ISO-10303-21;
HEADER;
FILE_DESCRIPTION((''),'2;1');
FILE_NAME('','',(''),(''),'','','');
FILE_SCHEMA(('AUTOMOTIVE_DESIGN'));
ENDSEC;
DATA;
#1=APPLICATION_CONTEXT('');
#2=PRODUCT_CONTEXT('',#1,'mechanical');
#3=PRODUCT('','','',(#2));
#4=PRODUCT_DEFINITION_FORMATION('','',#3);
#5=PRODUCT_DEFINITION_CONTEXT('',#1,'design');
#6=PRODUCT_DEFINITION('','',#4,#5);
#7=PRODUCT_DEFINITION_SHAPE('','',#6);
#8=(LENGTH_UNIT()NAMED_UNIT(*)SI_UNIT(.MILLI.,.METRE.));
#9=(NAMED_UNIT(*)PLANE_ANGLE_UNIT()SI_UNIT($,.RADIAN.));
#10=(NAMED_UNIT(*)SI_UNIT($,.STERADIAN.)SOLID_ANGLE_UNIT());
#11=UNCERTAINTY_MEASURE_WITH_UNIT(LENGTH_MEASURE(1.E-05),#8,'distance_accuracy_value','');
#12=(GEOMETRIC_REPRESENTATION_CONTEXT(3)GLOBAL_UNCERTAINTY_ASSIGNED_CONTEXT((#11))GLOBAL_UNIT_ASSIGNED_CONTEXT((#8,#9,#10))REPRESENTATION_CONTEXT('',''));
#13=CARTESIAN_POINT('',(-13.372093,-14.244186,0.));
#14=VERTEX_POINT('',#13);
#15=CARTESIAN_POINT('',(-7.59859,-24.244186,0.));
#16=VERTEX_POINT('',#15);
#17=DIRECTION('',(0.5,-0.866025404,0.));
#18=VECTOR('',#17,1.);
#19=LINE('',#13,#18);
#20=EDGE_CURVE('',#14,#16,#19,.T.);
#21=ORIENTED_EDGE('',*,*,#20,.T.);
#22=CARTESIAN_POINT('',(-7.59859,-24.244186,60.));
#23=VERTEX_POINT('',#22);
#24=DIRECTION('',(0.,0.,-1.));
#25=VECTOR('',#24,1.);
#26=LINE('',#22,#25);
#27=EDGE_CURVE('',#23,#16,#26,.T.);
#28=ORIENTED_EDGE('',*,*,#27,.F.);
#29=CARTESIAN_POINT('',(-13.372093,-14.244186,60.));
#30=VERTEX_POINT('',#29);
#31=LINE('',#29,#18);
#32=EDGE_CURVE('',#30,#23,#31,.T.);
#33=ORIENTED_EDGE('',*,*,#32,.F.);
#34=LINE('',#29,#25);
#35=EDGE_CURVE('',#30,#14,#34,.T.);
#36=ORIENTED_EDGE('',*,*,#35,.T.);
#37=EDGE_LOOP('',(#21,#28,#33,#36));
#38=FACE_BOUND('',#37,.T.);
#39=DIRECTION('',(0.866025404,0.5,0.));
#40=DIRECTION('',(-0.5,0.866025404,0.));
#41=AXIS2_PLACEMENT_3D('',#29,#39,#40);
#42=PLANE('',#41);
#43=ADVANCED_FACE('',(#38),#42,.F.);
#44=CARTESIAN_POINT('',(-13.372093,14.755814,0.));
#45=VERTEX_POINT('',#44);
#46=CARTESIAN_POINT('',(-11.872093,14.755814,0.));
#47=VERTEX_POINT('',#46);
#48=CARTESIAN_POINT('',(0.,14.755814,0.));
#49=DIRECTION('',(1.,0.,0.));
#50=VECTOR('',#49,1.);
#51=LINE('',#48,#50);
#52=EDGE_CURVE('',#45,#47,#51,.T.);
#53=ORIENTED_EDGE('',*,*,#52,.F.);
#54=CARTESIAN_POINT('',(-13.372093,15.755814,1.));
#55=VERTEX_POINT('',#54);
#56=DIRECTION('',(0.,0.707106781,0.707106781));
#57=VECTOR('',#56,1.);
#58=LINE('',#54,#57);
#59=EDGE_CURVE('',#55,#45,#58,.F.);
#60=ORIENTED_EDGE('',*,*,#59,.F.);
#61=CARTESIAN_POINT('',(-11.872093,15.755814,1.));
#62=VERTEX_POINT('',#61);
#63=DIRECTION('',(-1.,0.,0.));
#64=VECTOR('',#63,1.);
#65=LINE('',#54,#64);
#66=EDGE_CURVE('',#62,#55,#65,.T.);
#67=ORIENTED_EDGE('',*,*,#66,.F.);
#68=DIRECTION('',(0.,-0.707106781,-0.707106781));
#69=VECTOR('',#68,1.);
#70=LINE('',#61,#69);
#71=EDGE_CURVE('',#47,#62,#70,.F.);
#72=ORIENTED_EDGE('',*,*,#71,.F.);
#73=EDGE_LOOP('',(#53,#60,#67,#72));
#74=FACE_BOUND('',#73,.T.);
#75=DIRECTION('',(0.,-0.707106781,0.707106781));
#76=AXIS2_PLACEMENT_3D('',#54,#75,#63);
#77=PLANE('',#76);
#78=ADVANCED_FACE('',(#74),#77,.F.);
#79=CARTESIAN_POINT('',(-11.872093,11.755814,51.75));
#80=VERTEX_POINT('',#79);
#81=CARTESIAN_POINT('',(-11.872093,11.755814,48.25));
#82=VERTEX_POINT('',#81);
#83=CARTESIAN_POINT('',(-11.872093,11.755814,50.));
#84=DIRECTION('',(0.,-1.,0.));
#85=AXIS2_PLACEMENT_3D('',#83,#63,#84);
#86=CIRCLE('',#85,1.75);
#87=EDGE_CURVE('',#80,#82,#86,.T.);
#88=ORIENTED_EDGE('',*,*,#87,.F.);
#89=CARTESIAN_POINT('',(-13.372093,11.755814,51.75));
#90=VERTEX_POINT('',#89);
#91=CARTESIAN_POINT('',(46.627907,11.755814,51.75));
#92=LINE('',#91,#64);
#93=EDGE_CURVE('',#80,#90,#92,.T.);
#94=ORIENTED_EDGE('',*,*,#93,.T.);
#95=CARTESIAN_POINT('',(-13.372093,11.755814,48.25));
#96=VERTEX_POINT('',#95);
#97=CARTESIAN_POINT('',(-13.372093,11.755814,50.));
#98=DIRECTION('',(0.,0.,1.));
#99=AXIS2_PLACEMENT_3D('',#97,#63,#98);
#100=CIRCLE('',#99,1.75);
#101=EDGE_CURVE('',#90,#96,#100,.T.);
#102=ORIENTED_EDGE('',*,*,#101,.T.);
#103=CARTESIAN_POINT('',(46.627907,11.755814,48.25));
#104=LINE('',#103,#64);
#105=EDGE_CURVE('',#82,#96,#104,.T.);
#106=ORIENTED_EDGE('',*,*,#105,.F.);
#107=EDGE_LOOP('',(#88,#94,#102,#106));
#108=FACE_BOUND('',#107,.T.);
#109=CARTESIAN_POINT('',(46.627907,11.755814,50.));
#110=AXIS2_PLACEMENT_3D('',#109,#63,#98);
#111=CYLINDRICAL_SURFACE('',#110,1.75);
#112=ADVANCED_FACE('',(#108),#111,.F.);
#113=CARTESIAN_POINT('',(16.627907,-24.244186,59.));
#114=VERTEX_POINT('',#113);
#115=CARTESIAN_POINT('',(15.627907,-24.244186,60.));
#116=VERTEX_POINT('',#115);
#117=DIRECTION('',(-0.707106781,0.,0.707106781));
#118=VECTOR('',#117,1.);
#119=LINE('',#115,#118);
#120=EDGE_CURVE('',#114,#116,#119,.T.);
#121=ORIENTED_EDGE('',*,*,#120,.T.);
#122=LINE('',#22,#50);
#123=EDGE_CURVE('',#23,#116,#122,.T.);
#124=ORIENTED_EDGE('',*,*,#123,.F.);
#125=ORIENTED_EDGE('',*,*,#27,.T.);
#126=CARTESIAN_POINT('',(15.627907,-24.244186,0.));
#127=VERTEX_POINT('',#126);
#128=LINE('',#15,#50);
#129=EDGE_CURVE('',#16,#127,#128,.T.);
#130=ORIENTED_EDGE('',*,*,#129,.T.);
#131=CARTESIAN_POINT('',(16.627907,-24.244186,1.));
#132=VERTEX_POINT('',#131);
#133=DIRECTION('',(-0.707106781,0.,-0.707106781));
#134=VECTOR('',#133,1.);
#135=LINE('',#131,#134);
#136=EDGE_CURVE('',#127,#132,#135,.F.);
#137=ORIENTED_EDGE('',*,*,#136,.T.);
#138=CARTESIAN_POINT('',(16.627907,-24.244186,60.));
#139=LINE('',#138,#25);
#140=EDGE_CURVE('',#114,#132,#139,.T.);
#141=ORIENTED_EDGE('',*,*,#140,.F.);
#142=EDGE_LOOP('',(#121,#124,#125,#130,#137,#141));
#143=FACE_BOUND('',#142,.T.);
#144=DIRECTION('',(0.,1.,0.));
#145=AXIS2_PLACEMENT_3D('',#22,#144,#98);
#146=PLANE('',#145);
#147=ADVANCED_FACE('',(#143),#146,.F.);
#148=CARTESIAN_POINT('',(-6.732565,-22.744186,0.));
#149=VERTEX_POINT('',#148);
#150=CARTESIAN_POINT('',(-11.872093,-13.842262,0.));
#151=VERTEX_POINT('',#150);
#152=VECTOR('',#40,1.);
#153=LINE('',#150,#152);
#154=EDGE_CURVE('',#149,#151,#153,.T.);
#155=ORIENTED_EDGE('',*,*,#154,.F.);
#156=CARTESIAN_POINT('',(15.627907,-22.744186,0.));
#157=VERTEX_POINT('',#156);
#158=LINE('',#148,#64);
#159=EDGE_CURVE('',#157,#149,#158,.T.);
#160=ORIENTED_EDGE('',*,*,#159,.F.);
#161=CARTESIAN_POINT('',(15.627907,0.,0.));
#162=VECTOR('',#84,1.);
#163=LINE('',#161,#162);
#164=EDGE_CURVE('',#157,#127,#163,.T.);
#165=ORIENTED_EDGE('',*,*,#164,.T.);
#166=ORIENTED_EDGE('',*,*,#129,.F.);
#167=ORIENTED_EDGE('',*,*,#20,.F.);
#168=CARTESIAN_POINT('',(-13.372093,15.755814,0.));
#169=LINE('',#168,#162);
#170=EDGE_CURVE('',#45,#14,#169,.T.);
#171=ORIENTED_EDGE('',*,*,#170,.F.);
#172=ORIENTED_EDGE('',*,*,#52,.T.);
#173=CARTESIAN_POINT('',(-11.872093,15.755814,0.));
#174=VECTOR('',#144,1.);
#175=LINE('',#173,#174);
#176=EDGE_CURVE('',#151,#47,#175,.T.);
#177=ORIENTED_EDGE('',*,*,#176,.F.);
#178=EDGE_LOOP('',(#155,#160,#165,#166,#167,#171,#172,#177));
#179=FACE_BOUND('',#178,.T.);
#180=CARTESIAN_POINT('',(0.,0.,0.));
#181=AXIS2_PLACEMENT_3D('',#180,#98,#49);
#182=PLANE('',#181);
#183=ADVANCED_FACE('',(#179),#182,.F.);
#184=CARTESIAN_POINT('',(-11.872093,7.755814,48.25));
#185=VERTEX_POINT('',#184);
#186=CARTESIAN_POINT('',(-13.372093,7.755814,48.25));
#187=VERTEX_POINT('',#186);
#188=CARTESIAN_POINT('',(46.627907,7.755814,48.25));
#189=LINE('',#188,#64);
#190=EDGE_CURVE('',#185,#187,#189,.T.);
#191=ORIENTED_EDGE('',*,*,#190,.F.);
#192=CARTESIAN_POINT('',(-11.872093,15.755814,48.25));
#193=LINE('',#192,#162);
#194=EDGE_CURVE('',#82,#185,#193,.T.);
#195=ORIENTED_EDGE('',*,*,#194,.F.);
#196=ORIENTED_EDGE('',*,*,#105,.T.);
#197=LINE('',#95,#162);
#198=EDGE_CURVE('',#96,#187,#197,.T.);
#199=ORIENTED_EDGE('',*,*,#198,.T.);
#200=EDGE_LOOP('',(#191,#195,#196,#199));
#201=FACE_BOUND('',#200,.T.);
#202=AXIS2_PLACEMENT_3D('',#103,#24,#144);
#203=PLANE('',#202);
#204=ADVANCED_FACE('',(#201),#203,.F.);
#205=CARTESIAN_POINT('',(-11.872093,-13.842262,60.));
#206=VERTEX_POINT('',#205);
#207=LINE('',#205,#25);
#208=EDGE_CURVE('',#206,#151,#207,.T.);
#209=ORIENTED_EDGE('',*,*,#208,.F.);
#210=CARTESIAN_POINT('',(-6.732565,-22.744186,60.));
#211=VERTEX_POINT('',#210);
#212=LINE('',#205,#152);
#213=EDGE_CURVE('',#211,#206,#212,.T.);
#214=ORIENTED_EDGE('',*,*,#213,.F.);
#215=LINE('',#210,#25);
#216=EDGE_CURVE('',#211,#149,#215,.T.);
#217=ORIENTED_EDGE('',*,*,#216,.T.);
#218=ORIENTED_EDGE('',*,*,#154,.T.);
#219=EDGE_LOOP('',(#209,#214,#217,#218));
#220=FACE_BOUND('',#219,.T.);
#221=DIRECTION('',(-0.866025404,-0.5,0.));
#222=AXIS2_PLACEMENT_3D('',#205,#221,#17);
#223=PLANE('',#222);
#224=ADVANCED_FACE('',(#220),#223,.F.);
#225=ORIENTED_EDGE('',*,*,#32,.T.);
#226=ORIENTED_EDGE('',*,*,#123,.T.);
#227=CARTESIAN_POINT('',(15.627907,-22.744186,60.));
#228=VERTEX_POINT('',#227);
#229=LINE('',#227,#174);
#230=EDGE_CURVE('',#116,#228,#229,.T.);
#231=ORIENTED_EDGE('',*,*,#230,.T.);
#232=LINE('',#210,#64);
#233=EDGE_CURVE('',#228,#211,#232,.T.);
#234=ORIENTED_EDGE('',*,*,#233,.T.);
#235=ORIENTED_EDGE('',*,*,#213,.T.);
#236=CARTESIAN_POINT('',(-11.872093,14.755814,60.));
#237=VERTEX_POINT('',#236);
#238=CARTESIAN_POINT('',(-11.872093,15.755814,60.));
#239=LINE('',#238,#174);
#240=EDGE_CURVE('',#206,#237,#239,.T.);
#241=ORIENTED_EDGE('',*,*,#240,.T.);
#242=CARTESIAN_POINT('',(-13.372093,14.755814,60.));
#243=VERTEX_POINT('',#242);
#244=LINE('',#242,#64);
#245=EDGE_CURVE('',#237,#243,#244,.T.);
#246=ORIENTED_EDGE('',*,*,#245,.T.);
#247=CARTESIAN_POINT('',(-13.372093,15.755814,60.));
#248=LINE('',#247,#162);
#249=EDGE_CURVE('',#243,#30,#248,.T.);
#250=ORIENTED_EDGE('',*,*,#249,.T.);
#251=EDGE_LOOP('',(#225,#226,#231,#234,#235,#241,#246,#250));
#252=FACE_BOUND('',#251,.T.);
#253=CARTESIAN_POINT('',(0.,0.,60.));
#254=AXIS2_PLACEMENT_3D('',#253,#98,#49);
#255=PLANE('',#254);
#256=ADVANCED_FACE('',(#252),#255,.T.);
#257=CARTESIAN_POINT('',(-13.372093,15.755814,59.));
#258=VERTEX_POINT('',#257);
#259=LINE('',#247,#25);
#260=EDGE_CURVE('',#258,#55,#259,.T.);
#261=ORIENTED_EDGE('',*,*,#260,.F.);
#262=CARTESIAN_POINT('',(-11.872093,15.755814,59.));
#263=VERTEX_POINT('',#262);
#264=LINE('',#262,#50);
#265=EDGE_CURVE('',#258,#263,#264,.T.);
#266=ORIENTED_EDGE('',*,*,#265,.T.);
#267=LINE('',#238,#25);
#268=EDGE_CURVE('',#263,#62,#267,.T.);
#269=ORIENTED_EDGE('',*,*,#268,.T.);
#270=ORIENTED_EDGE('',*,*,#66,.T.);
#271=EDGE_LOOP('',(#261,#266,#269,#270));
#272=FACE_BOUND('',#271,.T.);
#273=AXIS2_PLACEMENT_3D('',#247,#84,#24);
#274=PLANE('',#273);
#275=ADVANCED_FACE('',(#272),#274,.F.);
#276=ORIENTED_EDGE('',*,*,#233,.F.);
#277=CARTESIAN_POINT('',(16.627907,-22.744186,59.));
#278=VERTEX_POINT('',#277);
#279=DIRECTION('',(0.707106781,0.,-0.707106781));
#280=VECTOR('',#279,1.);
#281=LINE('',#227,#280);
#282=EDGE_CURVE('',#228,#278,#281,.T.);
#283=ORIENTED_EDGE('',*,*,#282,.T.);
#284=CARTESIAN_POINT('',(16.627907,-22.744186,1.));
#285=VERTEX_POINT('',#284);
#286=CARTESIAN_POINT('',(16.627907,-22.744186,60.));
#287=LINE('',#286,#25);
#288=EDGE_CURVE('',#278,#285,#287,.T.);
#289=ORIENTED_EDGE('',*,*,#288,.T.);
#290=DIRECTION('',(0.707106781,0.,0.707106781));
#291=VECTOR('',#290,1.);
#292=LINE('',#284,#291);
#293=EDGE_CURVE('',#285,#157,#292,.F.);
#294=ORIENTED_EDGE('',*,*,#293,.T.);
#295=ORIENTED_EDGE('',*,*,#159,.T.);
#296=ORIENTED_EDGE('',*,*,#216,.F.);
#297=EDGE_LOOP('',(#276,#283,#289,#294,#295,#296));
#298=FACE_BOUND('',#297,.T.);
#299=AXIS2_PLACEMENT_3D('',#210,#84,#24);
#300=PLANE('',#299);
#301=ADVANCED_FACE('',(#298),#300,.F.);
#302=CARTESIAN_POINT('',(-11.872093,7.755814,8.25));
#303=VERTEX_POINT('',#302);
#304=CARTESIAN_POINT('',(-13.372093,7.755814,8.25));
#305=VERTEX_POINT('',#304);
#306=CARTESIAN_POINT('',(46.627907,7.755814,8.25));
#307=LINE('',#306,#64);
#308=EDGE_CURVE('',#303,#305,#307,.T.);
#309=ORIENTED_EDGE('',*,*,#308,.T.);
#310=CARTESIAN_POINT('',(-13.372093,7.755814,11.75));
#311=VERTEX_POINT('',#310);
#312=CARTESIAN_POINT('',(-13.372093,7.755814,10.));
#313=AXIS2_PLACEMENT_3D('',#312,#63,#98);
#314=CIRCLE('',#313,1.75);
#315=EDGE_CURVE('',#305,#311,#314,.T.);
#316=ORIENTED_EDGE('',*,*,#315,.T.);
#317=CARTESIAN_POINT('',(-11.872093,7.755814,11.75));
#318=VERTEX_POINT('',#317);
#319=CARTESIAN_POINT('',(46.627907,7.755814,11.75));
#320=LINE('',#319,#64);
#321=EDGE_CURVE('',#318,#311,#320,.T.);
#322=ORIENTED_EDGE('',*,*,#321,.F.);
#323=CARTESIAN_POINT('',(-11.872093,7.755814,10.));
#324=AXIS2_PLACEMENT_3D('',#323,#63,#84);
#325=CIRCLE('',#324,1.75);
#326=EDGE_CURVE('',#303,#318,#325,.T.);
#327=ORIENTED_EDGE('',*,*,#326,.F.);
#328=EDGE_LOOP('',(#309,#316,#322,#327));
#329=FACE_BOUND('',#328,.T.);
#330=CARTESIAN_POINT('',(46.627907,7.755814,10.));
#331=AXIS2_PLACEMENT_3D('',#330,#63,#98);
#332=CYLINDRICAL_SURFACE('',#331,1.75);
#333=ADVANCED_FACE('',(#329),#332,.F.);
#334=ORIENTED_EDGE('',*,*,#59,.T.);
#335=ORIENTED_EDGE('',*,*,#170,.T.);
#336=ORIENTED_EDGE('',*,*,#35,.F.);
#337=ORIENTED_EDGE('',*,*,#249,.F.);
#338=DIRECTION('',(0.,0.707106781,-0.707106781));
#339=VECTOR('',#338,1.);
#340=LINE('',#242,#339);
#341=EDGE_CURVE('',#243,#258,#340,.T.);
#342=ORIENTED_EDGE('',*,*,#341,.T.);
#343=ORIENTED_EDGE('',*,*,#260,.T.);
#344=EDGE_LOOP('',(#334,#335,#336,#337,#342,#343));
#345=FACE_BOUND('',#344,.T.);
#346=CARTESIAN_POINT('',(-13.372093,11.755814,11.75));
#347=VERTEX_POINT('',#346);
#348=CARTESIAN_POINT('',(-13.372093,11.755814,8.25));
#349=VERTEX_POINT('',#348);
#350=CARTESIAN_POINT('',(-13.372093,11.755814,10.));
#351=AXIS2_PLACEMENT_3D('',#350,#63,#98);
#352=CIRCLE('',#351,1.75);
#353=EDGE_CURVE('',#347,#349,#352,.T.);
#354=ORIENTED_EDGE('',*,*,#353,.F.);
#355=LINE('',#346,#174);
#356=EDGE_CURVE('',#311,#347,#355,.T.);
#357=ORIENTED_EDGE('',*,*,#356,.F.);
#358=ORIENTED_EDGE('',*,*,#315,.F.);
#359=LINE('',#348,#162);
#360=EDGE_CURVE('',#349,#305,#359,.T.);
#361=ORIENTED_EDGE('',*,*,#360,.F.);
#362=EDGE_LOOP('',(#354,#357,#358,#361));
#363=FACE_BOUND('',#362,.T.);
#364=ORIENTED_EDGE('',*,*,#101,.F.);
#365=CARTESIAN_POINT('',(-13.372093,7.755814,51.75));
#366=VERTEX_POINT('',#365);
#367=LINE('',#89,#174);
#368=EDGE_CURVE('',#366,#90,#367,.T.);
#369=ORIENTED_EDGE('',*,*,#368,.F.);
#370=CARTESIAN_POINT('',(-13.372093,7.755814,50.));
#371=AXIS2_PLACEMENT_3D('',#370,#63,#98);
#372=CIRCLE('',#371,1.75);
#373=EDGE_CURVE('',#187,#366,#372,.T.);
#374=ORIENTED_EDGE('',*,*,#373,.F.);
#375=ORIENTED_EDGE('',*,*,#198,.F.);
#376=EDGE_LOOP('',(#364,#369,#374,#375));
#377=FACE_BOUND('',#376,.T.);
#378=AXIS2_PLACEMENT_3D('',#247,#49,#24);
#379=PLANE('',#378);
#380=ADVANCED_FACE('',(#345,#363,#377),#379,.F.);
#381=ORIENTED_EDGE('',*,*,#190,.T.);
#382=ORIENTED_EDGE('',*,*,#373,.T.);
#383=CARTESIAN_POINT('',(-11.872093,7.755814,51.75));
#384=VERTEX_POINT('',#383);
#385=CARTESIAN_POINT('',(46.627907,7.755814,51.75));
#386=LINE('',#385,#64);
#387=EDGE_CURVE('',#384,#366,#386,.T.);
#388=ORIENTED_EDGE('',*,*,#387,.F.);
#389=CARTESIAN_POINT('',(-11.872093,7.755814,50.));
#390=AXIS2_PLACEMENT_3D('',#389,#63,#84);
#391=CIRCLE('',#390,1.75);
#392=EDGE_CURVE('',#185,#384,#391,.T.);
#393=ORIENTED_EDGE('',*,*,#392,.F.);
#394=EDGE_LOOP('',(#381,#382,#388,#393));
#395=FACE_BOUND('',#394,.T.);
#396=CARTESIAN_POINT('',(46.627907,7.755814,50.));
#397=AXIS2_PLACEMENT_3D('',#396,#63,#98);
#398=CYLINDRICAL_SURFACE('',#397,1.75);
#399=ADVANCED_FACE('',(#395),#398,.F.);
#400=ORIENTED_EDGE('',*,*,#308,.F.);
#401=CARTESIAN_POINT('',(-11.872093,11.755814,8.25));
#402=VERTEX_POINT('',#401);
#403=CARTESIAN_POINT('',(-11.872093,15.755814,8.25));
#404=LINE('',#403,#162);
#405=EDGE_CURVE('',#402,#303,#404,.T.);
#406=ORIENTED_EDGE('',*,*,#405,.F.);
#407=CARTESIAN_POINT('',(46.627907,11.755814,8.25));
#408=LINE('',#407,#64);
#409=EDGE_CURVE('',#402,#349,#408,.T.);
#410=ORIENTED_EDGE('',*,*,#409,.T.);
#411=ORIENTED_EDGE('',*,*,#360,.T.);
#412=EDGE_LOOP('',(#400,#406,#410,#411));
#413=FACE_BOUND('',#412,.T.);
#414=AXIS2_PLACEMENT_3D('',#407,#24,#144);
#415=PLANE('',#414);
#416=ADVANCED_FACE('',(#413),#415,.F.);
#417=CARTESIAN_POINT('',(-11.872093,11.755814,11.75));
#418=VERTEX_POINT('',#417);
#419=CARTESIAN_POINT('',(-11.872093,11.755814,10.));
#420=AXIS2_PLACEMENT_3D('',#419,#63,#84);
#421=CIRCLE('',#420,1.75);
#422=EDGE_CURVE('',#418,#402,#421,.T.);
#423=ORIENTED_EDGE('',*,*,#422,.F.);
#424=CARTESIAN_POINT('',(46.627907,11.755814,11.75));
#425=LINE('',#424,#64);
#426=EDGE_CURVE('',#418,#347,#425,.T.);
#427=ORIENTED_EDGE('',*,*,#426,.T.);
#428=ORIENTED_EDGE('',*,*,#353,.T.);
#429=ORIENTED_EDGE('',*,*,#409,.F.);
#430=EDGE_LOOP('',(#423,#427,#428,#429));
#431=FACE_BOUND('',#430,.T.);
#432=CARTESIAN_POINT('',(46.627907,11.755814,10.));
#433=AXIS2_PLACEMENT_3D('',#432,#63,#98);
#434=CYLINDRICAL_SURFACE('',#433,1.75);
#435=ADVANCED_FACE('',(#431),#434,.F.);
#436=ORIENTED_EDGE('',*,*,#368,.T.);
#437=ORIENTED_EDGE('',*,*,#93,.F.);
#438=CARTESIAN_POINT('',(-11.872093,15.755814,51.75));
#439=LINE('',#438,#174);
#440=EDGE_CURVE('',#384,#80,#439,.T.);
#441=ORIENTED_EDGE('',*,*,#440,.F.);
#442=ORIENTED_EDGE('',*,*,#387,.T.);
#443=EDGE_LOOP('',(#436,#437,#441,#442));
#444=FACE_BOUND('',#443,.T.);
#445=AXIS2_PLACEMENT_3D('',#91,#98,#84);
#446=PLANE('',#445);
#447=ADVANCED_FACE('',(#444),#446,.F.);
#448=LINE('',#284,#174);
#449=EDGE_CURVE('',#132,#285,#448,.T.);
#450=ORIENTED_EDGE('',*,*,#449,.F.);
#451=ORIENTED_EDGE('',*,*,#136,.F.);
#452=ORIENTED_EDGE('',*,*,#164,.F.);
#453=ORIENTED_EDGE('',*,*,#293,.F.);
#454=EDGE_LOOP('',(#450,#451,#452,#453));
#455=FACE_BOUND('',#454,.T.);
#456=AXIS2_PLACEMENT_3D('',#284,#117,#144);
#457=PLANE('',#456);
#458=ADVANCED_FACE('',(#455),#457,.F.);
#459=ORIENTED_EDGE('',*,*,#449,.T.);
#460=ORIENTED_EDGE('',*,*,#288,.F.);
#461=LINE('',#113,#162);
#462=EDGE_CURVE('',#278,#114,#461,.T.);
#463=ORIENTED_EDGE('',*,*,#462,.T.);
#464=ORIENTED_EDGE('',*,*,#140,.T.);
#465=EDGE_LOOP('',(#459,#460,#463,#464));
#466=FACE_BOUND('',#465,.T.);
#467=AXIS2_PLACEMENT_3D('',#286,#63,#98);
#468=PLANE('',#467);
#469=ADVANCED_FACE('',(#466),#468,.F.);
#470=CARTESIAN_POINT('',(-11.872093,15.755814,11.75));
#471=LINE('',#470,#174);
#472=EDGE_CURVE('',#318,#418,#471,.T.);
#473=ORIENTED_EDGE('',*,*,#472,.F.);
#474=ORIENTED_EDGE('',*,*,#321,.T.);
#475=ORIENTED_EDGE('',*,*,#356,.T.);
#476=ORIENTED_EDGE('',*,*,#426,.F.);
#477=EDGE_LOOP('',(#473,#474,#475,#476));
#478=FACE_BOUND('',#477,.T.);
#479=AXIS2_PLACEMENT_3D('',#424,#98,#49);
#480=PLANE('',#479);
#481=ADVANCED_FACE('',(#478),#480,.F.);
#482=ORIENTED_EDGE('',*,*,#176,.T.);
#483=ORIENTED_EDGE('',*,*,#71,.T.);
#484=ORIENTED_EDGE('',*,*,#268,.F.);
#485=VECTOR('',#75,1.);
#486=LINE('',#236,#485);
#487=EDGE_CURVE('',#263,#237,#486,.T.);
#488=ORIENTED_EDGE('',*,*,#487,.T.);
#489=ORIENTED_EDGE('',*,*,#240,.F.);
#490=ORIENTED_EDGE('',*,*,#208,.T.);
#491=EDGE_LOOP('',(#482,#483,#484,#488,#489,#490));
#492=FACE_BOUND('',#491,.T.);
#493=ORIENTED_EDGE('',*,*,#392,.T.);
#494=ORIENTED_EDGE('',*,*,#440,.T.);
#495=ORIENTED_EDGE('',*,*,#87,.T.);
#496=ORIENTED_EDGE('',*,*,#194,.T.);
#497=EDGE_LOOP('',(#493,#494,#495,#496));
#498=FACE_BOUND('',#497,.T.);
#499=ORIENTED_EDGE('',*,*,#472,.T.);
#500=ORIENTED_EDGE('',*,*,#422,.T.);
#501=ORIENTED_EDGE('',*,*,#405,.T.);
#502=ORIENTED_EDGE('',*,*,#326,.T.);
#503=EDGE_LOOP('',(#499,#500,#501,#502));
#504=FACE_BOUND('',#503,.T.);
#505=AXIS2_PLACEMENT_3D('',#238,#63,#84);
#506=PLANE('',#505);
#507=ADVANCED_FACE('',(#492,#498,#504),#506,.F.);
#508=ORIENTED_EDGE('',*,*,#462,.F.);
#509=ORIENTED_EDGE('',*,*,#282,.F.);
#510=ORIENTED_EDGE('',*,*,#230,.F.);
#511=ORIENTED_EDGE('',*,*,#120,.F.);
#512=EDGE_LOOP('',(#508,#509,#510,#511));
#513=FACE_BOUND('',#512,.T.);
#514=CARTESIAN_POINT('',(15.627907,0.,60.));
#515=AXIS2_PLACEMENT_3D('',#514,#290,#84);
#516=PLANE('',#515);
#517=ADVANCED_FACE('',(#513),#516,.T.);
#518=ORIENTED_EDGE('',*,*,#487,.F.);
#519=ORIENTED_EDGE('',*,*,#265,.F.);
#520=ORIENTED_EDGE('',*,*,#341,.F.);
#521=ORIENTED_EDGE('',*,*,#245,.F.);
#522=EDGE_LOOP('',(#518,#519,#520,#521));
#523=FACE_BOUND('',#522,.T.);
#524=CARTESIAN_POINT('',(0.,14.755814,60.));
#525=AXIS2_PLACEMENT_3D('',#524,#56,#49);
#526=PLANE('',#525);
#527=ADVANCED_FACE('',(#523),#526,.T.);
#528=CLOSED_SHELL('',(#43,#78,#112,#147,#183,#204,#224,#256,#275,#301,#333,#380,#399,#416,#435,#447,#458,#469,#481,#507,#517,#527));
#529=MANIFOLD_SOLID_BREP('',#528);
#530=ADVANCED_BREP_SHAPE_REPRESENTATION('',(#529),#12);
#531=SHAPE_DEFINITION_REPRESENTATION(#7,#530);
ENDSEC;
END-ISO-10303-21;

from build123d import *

# Parameters (mm, degrees)
BOSS_EXTRUDE1_DEPTH = 60
CUT_EXTRUDE1_DEPTH  = 60
CHAMFER1_SIZE       = 1


with BuildPart() as part:
    # Sketch1 → Boss-Extrude1 (new body)
    with BuildSketch(Plane.XY):
        Polygon((-13.372093023, -14.244186047), (-7.598590331, -24.244186047), (16.627906977, -24.244186047), (16.627906977, -22.744186047), (-6.732564928, -22.744186047), (-11.872093023, -13.842262258), (-11.872093023, 15.755813953), (-13.372093023, 15.755813953), align=None)
    extrude(amount=BOSS_EXTRUDE1_DEPTH)

    # Sketch3 → Cut-Extrude1 (cut)
    with BuildSketch(Plane.ZY.offset(13.372093023)):
        with BuildLine():
            Line((8.25, 11.755813953), (8.25, 7.755813953))
            ThreePointArc((8.25, 7.755813953), (10, 6.005813953), (11.75, 7.755813953))
            Line((11.75, 7.755813953), (11.75, 11.755813953))
            ThreePointArc((11.75, 11.755813953), (10, 13.505813953), (8.25, 11.755813953))
        make_face()
        with BuildLine():
            Line((48.25, 11.755813953), (48.25, 7.755813953))
            ThreePointArc((48.25, 7.755813953), (50, 6.005813953), (51.75, 7.755813953))
            Line((51.75, 7.755813953), (51.75, 11.755813953))
            ThreePointArc((51.75, 11.755813953), (50, 13.505813953), (48.25, 11.755813953))
        make_face()
    extrude(amount=-CUT_EXTRUDE1_DEPTH, mode=Mode.SUBTRACT)

    # Chamfer1
    chamfer1_edges = [part.edges().sort_by_distance(p)[0] for p in [
        (16.627906977, -23.494186047, 60),
        (-12.622093023, 15.755813953, 60),
        (-12.622093023, 15.755813953, 0),
        (16.627906977, -23.494186047, 0),
    ]]
    chamfer(chamfer1_edges, length=CHAMFER1_SIZE)


solid = part.part
